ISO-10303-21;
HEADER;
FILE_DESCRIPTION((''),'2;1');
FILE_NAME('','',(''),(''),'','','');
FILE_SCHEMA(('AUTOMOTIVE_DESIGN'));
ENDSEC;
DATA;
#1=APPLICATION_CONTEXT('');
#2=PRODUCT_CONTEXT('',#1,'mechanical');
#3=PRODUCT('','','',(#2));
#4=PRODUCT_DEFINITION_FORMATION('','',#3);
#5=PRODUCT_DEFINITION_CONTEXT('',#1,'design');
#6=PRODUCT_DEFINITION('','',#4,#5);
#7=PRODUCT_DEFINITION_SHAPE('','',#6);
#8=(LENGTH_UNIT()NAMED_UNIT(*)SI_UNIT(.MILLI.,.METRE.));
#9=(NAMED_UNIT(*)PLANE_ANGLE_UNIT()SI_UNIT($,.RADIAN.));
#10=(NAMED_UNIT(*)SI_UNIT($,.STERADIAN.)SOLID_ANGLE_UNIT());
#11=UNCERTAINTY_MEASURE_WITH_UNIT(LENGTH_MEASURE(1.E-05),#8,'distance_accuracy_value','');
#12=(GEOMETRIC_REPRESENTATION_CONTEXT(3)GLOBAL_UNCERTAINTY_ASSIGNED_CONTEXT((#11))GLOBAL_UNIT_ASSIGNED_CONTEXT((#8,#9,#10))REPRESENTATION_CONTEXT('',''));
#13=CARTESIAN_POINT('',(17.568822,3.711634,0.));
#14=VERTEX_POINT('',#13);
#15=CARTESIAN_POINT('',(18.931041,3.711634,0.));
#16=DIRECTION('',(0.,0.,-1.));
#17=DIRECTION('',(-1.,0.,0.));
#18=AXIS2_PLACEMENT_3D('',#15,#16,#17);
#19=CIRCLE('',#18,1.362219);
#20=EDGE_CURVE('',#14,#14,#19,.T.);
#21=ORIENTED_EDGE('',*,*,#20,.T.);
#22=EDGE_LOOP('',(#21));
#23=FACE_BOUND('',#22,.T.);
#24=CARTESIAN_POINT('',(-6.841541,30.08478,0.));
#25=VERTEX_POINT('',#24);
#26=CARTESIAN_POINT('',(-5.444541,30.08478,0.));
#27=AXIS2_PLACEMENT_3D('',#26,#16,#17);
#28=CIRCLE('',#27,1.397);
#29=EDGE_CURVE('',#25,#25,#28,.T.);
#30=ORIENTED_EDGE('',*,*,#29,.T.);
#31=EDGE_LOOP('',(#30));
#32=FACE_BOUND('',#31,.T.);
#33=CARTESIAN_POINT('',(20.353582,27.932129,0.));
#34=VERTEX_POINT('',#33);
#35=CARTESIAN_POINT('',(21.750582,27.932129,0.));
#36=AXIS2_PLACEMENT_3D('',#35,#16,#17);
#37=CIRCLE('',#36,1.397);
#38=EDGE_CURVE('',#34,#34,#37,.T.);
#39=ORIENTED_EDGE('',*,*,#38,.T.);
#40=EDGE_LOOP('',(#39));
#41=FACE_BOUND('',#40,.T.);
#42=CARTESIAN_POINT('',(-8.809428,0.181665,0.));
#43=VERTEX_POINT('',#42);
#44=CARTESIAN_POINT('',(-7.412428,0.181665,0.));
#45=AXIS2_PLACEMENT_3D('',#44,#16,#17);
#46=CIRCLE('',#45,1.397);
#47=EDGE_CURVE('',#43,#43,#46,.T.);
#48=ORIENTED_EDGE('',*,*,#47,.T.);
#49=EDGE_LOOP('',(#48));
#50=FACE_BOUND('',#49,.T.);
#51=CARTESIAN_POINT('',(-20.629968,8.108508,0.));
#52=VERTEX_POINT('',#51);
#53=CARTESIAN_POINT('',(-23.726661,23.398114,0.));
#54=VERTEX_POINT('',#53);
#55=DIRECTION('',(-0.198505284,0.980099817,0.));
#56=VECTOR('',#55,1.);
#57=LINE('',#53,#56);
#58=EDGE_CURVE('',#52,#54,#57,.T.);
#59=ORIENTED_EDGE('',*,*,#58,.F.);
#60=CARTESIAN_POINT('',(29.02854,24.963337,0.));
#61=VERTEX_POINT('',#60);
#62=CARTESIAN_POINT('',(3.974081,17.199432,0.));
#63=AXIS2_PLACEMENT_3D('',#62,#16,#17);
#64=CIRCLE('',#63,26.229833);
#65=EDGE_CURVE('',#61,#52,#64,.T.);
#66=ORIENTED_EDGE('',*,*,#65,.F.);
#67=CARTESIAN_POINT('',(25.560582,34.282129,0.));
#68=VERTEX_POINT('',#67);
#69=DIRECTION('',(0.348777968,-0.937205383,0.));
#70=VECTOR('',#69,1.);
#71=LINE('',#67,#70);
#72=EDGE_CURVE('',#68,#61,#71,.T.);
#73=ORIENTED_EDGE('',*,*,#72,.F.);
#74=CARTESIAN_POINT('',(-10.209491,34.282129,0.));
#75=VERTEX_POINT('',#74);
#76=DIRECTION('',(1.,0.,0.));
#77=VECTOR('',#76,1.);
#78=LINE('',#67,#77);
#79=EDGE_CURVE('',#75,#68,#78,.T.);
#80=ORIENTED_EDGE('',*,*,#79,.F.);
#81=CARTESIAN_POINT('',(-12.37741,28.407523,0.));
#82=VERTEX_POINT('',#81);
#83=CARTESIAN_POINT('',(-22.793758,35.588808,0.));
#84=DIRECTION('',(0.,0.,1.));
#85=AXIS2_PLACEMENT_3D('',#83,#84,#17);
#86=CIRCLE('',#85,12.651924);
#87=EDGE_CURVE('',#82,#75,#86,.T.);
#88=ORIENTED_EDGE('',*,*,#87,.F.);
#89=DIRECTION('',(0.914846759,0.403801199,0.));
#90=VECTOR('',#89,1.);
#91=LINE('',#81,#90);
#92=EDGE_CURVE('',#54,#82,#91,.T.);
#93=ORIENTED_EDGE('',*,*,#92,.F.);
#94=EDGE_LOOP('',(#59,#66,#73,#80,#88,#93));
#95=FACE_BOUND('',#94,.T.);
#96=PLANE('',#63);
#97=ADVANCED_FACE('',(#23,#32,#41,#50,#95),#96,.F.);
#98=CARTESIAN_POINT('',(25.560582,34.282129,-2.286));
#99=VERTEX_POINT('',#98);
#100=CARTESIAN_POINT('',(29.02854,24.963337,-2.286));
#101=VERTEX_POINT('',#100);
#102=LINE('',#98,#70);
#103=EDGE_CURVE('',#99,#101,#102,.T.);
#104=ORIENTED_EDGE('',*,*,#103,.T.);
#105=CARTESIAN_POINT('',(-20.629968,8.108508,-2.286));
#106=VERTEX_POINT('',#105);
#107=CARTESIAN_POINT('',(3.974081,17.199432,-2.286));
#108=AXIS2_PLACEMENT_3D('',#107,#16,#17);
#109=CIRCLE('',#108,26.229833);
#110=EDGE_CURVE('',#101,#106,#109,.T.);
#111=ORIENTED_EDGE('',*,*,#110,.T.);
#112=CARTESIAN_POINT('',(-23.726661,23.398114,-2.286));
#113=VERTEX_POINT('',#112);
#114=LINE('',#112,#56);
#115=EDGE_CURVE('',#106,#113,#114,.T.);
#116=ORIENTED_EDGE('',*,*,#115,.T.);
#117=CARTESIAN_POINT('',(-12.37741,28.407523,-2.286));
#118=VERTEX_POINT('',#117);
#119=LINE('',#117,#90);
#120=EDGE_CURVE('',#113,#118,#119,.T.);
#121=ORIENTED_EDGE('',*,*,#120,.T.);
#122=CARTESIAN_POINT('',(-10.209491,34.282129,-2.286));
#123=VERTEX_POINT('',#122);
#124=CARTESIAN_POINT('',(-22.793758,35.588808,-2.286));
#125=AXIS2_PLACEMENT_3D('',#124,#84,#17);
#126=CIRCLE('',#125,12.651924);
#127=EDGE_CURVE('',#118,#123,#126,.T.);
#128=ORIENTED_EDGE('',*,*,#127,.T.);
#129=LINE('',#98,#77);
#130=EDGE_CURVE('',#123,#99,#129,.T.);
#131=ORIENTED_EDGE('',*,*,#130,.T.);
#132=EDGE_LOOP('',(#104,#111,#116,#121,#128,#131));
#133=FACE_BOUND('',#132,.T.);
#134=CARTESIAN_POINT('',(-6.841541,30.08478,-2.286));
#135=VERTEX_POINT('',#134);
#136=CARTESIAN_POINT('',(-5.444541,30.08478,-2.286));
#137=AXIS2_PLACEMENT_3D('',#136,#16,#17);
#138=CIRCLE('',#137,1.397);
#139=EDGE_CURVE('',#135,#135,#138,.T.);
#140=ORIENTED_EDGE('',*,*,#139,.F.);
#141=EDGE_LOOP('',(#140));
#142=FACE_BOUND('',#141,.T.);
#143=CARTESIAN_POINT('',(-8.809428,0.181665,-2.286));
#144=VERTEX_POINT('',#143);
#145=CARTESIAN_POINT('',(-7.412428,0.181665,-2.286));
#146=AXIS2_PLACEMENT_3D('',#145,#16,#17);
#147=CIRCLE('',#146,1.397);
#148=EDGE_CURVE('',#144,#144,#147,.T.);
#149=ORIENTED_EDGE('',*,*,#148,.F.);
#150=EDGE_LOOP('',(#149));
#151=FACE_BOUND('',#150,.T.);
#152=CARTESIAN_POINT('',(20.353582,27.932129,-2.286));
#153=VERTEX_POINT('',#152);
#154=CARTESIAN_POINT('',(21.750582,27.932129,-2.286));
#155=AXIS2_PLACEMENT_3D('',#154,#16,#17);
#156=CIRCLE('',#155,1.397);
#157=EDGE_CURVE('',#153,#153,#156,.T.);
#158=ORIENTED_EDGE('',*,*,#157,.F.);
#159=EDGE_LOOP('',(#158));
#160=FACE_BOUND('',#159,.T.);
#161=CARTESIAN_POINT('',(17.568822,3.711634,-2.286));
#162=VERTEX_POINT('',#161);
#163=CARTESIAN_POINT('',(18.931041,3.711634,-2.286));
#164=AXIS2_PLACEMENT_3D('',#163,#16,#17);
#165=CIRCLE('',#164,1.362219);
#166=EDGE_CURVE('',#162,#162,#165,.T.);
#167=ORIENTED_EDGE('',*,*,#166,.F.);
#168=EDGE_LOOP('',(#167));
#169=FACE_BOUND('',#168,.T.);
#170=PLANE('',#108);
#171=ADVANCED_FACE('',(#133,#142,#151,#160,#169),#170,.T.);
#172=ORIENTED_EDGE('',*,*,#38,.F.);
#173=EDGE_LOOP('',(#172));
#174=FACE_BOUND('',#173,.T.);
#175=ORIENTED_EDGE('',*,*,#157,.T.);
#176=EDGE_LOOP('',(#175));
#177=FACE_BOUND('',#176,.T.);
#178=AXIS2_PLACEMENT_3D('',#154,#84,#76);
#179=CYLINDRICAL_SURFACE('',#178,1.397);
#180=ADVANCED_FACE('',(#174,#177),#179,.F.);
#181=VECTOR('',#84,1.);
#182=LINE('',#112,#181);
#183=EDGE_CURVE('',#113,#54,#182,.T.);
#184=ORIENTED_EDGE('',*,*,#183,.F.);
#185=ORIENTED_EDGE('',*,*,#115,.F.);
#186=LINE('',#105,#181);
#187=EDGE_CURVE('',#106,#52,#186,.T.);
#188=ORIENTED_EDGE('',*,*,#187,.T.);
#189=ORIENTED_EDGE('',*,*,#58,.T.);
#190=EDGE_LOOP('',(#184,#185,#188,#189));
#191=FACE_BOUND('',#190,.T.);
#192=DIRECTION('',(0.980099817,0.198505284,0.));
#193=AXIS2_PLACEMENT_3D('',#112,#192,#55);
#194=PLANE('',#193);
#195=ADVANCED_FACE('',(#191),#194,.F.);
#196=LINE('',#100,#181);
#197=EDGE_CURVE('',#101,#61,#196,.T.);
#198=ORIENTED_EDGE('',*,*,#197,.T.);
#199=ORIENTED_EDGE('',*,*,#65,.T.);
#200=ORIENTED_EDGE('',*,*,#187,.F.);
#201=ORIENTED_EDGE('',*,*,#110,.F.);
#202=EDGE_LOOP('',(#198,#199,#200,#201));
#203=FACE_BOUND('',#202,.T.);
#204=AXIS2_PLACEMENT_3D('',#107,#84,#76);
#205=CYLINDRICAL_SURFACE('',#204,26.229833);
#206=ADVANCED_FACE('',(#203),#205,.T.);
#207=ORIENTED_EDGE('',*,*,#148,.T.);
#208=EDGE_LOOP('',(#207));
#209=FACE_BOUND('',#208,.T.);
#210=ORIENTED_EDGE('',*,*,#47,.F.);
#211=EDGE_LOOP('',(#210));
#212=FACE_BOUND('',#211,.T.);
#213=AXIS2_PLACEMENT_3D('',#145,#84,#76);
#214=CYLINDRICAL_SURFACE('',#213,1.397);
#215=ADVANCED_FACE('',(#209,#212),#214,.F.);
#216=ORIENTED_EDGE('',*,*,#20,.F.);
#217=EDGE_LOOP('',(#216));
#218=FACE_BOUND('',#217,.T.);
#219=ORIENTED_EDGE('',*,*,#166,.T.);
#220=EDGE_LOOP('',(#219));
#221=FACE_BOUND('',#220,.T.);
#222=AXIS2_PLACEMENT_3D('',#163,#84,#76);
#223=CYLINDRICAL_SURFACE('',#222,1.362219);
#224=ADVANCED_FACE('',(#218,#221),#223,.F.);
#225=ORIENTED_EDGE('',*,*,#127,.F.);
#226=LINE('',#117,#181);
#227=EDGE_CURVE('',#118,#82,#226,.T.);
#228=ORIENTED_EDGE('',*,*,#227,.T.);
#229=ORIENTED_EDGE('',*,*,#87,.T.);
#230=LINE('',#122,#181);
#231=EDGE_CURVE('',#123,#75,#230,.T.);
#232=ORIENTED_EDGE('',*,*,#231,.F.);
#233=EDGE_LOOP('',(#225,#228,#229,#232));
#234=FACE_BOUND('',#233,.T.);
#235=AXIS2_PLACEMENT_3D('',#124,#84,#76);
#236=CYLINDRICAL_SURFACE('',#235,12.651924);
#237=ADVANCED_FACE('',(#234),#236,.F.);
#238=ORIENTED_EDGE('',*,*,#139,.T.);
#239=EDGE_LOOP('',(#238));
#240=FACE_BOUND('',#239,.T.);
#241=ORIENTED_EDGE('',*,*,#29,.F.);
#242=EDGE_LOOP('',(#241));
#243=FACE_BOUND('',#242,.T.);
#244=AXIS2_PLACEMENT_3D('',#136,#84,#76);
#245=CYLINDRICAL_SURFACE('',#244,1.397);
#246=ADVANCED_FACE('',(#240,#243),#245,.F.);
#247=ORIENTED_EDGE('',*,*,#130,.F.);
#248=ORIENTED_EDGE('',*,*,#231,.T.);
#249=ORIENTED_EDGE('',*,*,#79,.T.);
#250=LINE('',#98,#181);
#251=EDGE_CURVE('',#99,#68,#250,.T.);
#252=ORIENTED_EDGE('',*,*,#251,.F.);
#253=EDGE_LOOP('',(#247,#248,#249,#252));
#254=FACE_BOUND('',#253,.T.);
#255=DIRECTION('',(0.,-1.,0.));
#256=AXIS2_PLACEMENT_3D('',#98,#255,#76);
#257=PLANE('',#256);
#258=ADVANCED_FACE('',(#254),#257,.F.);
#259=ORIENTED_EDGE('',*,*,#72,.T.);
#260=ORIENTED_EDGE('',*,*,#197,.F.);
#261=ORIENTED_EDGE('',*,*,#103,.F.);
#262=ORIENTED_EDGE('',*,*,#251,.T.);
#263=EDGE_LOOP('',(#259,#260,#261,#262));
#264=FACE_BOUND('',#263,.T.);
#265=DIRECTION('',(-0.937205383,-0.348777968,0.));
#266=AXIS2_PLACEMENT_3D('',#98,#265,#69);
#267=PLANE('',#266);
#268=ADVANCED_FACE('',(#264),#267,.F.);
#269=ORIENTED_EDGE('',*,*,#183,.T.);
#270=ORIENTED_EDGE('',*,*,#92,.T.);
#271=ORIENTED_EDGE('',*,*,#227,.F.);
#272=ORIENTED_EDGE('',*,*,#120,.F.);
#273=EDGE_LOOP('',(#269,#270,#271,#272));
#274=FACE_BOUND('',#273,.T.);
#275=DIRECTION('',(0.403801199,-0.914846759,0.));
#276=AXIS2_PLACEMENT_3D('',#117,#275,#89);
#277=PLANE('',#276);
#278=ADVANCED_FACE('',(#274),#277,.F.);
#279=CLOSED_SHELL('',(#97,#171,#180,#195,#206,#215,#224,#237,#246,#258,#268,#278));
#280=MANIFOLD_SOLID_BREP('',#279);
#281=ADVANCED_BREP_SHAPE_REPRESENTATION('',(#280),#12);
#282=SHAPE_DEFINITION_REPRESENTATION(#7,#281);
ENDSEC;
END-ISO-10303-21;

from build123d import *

# Parameters (mm, degrees)
SKETCH5_R      = 1.397
SKETCH5_R_2    = 1.362219034
EXTRUDE1_DEPTH = 2.286


with BuildPart() as part:
    # Sketch5 → Extrude1 (new body)
    with BuildSketch(Plane(origin=(0, 0, 0), x_dir=(-0.018375543, 0.999831155, 0), z_dir=(0, 0, -1))):
        with BuildLine():
            Line((33.80665155, 26.18621859), (34.46394605, -9.577814671))
            ThreePointArc((34.46394605, -9.577814671), (31.404055355, -10.348947358), (28.630167887, -11.853315998))
            Line((28.630167887, -11.853315998), (23.830153765, -23.292701447))
            Line((23.830153765, -23.292701447), (8.486225874, -20.477486777))
            ThreePointArc((8.486225874, -20.477486777), (-7.865336256, 12.262044577), (24.425706506, 29.482353943))
            Line((24.425706506, 29.482353943), (33.80665155, 26.18621859))
        make_face()
        with Locations((27.527734531, 22.260177192)):
            Circle(SKETCH5_R, mode=Mode.SUBTRACT)
        with Locations((30.179746314, -4.890797216)):
            Circle(SKETCH5_R, mode=Mode.SUBTRACT)
        with Locations((3.363138785, 18.996048152)):
            Circle(SKETCH5_R_2, mode=Mode.SUBTRACT)
        with Locations((0.317842079, -7.407837933)):
            Circle(SKETCH5_R, mode=Mode.SUBTRACT)
    extrude(amount=EXTRUDE1_DEPTH)


solid = part.part
